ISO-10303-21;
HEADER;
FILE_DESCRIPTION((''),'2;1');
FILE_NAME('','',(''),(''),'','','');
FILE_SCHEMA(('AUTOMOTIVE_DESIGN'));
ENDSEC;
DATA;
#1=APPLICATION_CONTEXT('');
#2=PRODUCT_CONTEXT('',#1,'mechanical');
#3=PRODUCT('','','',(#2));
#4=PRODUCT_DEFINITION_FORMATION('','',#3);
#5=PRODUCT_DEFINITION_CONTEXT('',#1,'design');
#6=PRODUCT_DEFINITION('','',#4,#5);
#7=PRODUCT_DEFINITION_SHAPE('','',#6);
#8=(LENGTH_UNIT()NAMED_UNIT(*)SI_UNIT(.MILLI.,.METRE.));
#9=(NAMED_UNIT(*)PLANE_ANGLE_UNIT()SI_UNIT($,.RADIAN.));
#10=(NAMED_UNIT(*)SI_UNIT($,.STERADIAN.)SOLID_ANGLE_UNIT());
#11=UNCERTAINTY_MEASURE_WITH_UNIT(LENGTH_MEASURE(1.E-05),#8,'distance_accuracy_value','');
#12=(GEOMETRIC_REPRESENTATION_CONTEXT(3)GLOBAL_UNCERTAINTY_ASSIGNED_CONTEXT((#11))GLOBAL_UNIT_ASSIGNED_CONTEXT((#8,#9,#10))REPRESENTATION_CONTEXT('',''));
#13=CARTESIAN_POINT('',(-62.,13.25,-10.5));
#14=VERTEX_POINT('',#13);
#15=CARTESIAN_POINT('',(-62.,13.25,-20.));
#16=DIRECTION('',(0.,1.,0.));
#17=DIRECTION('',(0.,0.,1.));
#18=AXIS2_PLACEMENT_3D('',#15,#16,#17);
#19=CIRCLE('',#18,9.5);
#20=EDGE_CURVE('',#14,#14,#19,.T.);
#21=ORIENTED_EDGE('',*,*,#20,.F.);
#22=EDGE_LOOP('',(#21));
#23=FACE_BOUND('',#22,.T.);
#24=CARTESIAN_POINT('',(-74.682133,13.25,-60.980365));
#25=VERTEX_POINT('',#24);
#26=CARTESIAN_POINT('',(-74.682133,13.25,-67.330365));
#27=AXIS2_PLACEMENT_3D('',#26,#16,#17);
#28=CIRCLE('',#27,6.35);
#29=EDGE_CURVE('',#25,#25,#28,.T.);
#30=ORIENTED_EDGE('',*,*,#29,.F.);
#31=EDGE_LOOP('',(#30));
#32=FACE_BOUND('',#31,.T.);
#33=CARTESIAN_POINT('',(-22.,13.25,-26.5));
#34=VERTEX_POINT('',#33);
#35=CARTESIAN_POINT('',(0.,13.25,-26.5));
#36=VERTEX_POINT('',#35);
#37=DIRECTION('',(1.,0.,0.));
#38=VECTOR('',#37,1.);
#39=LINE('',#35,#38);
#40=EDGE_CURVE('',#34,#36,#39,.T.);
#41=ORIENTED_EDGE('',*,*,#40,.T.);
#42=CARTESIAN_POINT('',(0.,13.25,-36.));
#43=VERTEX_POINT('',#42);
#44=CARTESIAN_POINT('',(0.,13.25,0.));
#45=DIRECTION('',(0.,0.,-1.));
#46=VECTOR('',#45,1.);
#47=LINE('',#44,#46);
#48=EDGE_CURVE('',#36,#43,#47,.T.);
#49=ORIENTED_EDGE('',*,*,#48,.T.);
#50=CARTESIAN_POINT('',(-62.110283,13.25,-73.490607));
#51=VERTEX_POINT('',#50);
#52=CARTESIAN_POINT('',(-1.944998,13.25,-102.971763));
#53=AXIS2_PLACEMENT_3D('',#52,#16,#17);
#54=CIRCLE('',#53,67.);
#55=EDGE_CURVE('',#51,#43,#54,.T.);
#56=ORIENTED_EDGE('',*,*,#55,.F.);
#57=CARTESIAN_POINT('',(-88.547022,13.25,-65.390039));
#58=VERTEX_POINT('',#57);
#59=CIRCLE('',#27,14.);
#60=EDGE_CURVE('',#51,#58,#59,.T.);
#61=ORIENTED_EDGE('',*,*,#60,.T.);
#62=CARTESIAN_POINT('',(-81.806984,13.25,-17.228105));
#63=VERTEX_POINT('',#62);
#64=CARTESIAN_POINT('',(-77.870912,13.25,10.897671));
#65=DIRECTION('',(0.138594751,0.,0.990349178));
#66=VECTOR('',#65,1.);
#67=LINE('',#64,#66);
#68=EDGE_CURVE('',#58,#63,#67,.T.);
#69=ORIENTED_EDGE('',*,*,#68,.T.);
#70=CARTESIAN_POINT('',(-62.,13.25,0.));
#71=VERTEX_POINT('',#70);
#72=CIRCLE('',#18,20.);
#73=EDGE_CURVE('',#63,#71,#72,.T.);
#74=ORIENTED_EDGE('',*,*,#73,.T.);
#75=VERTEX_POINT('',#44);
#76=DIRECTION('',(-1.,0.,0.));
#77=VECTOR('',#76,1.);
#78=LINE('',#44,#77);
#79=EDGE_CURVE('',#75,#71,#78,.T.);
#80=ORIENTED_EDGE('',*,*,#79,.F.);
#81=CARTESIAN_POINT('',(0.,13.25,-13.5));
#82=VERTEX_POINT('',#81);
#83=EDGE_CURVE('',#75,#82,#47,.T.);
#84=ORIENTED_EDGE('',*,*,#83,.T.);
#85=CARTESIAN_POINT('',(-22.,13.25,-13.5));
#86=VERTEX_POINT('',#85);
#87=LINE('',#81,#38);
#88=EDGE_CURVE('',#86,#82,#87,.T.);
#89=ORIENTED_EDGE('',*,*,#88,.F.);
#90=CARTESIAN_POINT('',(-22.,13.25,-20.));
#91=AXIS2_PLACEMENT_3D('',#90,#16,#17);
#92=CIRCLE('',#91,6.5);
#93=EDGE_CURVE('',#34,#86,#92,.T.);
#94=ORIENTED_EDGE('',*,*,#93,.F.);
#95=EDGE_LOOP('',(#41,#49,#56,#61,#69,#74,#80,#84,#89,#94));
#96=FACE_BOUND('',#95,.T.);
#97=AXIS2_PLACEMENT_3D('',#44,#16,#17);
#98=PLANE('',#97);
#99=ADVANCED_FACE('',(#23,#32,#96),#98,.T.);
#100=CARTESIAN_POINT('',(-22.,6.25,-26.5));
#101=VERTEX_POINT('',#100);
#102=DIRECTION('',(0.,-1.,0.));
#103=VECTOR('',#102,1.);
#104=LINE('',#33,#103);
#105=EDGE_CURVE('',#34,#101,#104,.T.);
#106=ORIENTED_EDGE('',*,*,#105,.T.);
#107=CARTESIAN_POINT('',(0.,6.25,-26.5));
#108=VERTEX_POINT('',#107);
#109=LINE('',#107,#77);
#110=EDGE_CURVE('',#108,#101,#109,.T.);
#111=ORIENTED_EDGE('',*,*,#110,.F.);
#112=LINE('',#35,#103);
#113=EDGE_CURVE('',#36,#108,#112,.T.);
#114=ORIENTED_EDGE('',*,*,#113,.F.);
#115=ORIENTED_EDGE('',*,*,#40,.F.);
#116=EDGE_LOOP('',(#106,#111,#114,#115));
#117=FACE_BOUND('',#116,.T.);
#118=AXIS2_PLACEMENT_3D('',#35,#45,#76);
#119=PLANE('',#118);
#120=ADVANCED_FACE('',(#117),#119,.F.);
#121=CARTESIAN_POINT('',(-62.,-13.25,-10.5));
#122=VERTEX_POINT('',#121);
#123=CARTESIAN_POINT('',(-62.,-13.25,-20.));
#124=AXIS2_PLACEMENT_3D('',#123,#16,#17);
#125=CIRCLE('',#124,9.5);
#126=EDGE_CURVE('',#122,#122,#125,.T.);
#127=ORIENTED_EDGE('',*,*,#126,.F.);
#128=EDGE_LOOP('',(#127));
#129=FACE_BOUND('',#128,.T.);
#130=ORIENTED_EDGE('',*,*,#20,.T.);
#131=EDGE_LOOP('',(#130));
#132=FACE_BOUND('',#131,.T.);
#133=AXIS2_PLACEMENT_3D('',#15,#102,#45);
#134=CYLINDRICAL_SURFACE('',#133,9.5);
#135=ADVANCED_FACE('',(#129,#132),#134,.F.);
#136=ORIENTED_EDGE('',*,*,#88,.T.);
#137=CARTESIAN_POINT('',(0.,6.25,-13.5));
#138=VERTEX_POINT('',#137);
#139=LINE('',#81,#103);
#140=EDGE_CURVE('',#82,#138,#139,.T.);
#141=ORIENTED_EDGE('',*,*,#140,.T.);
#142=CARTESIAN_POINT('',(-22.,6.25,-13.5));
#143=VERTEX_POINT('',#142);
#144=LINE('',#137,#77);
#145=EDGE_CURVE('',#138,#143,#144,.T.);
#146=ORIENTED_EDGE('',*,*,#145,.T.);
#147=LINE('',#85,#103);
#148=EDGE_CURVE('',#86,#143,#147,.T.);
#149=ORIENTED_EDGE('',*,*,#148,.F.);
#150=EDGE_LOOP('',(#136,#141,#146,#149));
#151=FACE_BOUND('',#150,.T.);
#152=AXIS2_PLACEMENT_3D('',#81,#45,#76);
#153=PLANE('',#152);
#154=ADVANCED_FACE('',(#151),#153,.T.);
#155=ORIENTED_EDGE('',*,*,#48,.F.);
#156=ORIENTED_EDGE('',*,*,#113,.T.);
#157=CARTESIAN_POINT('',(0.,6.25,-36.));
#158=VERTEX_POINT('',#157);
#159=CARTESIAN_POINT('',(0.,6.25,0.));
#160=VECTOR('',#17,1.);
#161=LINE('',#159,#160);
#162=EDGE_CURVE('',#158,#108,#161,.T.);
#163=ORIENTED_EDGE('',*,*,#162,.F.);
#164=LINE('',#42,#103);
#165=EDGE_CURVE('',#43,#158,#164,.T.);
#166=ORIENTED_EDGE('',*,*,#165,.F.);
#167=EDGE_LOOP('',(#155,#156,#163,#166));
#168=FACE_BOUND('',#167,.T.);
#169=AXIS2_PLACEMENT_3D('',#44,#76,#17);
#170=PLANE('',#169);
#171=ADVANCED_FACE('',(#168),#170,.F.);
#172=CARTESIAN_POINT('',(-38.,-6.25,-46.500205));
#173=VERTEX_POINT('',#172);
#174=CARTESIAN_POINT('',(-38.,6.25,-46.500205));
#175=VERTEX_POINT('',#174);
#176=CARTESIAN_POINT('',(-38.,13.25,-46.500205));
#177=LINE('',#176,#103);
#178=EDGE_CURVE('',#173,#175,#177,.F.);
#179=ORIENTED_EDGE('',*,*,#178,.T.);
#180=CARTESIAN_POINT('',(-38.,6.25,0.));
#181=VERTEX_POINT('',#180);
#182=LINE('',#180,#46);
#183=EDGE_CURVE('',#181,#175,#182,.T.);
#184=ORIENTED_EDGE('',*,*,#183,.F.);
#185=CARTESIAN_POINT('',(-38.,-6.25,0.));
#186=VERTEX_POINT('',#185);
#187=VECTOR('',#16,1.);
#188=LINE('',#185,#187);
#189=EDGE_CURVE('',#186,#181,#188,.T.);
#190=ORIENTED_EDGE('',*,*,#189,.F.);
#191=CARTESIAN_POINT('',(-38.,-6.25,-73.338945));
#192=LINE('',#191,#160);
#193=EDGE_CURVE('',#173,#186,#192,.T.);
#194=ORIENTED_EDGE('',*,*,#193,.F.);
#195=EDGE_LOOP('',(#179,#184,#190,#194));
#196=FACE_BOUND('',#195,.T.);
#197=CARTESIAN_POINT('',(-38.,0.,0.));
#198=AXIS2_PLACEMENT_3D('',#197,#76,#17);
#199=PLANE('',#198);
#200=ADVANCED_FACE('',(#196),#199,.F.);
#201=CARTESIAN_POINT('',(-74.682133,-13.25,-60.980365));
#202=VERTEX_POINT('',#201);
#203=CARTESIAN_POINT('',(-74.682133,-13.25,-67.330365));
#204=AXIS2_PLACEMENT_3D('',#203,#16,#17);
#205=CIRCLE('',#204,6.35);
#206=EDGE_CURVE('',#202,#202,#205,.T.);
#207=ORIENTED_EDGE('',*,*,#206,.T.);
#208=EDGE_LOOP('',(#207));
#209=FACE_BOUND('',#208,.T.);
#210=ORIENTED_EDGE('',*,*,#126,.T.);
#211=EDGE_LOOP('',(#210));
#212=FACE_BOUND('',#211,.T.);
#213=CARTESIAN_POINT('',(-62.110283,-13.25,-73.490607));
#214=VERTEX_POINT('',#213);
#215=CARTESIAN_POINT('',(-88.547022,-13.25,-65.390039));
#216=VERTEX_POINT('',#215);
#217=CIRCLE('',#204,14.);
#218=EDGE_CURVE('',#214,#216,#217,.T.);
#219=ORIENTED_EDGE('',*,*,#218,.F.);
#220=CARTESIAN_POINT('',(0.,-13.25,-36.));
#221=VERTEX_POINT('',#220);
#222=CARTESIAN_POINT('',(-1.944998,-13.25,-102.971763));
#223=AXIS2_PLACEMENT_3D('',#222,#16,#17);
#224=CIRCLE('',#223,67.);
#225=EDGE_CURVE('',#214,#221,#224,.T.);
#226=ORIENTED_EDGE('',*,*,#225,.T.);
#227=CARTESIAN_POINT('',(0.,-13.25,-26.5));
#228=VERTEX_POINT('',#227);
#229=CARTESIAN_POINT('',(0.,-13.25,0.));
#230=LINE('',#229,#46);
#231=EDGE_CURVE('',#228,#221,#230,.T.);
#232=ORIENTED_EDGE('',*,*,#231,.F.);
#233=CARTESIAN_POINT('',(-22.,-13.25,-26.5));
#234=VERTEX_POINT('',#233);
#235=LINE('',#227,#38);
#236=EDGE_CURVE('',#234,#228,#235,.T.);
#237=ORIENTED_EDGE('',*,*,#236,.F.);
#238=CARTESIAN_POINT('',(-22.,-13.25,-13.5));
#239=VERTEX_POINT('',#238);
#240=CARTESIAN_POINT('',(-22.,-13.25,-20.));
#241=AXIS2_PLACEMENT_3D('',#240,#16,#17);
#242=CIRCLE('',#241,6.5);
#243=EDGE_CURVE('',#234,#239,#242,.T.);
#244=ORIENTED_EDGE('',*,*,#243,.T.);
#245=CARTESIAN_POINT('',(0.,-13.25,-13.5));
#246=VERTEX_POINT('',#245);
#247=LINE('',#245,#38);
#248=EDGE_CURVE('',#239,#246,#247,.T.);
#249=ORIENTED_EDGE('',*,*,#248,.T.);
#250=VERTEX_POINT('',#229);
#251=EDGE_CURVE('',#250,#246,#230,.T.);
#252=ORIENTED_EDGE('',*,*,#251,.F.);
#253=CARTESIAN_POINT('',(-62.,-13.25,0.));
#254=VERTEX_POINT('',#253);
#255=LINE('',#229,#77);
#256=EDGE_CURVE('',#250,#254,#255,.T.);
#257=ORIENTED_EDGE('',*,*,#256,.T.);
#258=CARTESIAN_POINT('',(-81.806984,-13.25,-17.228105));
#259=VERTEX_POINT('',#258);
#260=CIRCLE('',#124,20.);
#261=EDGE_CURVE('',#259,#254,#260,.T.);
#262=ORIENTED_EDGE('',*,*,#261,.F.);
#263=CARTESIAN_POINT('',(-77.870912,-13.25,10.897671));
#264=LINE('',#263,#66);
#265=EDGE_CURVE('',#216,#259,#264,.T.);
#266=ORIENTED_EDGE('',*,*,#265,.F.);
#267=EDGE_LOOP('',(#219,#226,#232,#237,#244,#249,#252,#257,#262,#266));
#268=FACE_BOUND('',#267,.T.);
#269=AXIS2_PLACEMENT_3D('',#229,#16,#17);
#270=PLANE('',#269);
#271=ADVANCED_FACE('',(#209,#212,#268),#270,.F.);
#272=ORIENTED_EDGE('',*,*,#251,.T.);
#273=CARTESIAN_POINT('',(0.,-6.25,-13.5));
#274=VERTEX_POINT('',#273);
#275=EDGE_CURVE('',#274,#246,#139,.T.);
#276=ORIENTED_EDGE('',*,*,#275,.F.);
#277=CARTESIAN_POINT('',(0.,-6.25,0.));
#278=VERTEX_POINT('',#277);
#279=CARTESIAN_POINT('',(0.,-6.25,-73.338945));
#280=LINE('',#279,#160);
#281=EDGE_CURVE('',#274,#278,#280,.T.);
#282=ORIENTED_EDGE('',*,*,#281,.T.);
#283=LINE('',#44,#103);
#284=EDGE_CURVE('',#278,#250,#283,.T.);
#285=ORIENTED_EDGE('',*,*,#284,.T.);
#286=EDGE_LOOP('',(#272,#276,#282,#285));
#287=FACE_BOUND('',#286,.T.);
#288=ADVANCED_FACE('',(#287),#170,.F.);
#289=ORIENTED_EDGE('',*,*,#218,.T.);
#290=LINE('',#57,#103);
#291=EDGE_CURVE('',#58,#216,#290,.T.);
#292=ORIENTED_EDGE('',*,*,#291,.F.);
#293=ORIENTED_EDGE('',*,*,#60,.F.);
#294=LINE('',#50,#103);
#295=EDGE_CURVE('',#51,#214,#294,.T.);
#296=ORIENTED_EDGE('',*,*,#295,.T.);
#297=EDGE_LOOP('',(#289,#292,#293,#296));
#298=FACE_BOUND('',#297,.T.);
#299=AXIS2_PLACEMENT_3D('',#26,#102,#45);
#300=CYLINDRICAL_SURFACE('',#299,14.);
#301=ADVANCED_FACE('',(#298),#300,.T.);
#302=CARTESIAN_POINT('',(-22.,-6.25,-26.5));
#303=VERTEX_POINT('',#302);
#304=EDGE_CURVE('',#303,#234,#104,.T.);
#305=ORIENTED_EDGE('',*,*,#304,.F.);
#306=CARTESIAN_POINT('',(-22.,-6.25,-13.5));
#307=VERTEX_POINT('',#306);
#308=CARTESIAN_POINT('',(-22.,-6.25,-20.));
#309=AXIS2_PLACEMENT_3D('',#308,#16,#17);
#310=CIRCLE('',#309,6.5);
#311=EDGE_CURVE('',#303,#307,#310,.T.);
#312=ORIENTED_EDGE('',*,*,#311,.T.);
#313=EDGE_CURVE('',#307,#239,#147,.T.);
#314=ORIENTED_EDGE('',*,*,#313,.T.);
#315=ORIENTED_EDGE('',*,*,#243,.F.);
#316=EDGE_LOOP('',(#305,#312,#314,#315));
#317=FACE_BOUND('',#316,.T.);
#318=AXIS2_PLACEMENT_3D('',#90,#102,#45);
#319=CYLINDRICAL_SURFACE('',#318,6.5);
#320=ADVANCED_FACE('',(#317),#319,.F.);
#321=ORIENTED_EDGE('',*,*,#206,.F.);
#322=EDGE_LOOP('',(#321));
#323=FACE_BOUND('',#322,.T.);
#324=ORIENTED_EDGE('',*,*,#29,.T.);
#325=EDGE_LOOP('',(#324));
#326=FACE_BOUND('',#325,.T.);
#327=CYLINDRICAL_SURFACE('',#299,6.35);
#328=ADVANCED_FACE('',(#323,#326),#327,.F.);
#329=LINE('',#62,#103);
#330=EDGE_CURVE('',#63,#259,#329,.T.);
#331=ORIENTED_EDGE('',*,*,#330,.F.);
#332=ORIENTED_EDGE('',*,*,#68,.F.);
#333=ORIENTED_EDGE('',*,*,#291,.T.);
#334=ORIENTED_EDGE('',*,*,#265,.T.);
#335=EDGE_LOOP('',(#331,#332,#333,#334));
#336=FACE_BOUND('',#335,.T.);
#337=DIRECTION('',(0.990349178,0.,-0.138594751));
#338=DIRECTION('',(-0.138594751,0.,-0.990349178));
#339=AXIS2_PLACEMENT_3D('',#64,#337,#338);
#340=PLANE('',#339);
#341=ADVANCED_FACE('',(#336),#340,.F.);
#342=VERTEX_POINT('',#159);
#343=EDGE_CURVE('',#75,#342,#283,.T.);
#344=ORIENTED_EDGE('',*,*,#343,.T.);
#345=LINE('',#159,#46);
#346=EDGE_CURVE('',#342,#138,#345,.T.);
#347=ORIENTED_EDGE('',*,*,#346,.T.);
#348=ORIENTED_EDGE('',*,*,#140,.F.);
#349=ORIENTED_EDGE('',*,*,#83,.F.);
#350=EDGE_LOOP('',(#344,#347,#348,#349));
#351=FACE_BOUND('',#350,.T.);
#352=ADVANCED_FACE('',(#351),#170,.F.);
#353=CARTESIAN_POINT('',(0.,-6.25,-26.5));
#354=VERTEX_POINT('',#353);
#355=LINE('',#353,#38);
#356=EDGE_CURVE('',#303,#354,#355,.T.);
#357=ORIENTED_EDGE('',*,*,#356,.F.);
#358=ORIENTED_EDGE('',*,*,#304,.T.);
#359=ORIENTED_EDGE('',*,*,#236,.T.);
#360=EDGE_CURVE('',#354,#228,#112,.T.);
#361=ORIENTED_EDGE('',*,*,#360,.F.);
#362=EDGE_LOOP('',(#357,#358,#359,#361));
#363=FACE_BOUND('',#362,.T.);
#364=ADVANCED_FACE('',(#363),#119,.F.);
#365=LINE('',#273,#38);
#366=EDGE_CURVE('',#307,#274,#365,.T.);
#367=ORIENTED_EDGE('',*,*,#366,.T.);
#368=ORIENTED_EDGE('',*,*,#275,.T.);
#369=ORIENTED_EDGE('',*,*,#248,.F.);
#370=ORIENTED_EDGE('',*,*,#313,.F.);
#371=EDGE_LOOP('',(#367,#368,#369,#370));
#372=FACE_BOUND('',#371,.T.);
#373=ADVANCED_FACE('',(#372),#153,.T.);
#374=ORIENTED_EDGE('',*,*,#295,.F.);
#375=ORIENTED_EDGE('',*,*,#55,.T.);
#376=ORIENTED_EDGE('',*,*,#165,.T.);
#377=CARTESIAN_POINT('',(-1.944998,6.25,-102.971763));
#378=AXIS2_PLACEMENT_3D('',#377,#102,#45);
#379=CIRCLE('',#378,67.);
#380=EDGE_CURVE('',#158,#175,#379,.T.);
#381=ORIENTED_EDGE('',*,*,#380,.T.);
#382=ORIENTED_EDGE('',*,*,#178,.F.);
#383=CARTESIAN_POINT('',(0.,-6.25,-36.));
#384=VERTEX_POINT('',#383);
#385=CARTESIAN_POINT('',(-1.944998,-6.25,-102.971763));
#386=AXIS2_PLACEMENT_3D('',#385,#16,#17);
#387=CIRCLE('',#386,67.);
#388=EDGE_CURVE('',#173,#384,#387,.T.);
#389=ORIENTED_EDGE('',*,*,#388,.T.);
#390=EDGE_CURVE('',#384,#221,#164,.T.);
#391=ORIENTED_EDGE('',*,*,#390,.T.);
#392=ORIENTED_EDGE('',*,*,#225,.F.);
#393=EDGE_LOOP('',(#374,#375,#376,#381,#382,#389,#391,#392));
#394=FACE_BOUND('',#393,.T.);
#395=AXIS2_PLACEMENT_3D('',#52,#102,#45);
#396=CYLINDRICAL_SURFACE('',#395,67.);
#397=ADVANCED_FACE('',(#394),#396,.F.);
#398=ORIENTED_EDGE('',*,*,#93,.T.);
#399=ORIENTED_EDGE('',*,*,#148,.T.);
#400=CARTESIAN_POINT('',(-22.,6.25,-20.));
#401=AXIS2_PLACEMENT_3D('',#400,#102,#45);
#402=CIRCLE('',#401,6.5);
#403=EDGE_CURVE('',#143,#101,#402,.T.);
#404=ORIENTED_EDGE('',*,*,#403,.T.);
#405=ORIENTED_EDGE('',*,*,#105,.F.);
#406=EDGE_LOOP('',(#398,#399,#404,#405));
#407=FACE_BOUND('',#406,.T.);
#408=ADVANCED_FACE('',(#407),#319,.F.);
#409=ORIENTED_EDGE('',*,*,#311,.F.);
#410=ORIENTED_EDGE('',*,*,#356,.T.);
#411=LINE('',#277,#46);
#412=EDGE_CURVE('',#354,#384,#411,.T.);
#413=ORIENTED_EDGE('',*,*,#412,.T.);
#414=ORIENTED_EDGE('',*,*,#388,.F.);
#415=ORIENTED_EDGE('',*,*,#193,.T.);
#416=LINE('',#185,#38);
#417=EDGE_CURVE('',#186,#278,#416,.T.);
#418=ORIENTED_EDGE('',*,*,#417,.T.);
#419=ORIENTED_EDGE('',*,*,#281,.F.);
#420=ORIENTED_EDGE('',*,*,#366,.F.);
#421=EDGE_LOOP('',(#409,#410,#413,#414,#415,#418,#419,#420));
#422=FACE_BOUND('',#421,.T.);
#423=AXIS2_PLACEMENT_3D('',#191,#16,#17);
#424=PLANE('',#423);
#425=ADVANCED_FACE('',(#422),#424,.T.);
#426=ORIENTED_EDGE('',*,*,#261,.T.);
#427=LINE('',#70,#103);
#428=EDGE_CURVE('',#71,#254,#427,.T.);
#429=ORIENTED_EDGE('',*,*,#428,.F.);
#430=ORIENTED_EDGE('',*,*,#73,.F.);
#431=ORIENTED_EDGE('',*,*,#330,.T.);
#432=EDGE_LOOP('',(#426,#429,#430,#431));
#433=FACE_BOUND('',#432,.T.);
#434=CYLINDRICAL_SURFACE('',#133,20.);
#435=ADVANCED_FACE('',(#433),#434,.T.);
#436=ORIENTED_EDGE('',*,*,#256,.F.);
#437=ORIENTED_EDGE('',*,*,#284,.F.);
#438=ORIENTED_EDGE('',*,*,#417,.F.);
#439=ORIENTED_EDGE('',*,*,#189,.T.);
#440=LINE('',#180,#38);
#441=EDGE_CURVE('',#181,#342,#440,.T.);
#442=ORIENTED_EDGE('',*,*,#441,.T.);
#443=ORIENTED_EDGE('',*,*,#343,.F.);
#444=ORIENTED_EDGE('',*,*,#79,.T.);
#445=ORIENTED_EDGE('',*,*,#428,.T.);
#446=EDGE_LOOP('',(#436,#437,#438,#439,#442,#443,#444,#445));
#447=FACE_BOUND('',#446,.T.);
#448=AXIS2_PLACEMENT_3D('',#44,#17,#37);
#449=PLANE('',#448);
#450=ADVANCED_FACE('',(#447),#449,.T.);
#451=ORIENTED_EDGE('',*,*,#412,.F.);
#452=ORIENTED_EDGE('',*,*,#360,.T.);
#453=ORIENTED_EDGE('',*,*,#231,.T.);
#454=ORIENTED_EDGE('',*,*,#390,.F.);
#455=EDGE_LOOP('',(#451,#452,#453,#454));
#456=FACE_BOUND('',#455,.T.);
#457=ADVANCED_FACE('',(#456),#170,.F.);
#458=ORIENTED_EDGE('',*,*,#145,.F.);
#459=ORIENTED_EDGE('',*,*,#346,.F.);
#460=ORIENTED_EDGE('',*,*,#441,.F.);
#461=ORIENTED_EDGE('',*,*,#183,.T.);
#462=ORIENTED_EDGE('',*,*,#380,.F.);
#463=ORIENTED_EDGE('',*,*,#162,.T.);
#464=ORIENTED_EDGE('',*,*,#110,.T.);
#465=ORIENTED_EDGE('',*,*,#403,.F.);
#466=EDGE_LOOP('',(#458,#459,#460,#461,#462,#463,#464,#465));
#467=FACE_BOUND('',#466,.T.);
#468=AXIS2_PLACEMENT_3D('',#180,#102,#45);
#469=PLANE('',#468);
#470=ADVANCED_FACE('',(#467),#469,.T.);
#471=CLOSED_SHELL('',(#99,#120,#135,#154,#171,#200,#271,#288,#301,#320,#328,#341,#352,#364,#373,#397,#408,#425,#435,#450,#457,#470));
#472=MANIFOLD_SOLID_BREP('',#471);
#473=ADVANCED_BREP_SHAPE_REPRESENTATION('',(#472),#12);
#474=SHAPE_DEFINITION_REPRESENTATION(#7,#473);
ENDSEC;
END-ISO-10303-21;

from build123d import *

# Parameters (mm, degrees)
SKETCH1_R           = 9.5
SKETCH1_R_2         = 6.35
BOSS_EXTRUDE1_DEPTH = 13.25
SKETCH2_W           = 73.338944958
SKETCH2_H           = 12.5
CUT_EXTRUDE3_DEPTH  = 38


with BuildPart() as part:
    # Sketch1 → Boss-Extrude1 (new, symmetric)
    with BuildSketch(Plane(origin=(0, 0, 0), x_dir=(1, 0, 0), z_dir=(0, 1, 0))):
        with BuildLine():
            Line((0, 0), (-62, 0))
            ThreePointArc((-62, 0), (-75.125587601, 4.90964049), (-81.806983567, 17.228104986))
            Line((-81.806983567, 17.228104986), (-88.547021707, 65.390038979))
            ThreePointArc((-88.547021707, 65.390038979), (-78.78369233, 80.716074763), (-62.110282709, 73.49060696))
            ThreePointArc((-62.110282709, 73.49060696), (-36.56849942, 45.611382856), (0, 36))
            Line((0, 36), (0, 26.5))
            Line((0, 26.5), (-22, 26.5))
            ThreePointArc((-22, 26.5), (-28.5, 20), (-22, 13.5))
            Line((-22, 13.5), (0, 13.5))
            Line((0, 13.5), (0, 0))
        make_face()
        with Locations(Location((-62, 20, 0), (0, 0, 270))):
            Circle(SKETCH1_R, mode=Mode.SUBTRACT)
        with Locations(Location((-74.68213321, 67.330365488, 0), (0, 0, 270))):
            Circle(SKETCH1_R_2, mode=Mode.SUBTRACT)
    extrude(amount=BOSS_EXTRUDE1_DEPTH, both=True)

    # Sketch2 → Cut-Extrude3 (cut)
    with BuildSketch(Plane(origin=(0, 0, 0), x_dir=(0, 0, -1), z_dir=(1, 0, 0))):
        with Locations((36.669472479, 0)):
            Rectangle(SKETCH2_W, SKETCH2_H)
    extrude(amount=-CUT_EXTRUDE3_DEPTH, mode=Mode.SUBTRACT)


solid = part.part
